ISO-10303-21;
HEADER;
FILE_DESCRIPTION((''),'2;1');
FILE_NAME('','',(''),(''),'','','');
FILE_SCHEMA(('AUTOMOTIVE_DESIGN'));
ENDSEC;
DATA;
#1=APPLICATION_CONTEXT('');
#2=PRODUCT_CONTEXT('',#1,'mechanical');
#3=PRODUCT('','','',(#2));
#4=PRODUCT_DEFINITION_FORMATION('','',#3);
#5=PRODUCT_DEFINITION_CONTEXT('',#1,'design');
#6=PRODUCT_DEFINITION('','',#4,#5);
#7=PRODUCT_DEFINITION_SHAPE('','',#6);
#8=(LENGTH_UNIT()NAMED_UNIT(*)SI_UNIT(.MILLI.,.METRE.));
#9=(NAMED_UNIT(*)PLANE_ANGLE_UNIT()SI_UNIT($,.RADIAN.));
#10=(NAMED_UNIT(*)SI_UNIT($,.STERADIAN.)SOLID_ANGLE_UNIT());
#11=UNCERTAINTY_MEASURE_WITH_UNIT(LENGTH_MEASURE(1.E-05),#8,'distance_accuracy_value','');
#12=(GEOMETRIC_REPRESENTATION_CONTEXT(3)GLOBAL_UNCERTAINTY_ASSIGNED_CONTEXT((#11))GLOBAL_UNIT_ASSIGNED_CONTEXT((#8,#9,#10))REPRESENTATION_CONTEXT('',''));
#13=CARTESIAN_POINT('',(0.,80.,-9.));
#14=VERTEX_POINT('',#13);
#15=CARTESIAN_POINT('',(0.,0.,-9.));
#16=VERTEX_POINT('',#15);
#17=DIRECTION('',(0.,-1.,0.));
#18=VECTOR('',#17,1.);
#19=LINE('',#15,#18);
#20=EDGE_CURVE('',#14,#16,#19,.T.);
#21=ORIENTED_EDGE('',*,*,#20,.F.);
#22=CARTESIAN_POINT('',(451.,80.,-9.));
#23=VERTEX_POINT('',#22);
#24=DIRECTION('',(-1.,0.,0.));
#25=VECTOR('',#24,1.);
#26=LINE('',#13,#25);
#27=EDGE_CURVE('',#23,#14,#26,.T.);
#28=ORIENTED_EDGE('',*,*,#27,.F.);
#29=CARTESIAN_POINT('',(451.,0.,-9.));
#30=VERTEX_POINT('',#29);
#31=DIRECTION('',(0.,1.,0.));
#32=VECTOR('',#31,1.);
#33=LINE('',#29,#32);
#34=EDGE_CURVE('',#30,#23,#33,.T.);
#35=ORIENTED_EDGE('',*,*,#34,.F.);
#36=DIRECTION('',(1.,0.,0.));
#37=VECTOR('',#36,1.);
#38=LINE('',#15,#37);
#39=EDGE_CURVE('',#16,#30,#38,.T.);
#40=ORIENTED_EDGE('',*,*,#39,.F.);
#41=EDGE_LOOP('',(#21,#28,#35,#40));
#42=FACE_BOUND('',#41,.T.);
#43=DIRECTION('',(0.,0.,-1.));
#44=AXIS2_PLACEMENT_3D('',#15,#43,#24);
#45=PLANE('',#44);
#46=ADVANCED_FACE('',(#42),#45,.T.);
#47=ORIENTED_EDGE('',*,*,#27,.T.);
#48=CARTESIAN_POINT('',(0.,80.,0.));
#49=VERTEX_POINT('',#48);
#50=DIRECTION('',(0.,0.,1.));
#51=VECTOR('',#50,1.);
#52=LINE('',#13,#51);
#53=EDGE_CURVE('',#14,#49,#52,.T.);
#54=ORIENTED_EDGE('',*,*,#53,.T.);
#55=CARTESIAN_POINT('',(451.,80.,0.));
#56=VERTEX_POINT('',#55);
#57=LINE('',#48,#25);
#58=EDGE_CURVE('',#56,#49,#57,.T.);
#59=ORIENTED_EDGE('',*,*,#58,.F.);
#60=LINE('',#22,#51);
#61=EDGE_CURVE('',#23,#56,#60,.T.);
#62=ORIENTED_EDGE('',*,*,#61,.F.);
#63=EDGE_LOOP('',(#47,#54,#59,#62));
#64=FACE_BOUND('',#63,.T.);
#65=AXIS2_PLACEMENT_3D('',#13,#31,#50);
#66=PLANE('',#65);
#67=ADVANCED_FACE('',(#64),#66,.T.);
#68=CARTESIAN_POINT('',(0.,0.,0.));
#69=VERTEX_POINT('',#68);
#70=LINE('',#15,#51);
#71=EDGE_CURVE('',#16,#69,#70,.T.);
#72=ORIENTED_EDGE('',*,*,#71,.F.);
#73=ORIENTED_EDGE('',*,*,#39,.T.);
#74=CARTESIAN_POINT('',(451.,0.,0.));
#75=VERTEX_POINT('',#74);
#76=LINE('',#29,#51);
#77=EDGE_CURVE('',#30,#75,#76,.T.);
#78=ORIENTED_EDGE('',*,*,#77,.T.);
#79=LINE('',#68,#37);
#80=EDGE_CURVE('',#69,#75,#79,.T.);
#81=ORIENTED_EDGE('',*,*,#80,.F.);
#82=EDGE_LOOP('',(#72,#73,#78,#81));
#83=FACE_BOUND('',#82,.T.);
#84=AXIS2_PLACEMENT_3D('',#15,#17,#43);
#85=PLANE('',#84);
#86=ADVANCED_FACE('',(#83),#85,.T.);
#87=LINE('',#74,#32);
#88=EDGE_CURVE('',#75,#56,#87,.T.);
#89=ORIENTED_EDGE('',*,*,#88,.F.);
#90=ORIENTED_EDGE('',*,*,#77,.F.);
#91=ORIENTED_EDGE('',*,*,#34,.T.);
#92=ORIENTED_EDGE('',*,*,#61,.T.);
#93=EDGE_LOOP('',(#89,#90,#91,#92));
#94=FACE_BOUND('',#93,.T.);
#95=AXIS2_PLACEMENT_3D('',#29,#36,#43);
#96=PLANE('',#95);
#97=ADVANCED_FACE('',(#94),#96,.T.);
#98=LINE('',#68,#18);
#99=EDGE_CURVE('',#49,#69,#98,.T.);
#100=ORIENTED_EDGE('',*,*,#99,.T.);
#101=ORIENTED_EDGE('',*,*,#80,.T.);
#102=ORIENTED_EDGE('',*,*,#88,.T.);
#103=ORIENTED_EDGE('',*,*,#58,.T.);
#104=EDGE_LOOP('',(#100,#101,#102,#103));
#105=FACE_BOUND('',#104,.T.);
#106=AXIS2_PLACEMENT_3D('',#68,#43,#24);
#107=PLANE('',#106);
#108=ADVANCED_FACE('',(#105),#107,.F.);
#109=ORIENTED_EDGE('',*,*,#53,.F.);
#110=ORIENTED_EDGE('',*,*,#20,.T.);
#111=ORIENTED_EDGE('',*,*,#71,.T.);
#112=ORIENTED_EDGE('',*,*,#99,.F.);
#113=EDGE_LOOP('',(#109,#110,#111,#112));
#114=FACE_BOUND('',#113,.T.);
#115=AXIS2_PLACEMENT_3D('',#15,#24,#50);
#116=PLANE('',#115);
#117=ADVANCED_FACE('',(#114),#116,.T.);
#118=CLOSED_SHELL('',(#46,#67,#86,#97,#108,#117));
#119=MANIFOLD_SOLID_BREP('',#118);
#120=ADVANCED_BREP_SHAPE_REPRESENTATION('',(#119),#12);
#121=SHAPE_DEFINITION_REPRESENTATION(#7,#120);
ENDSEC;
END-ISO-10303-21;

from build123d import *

# Parameters (mm, degrees)
SZKIC1_W                    = 451
SZKIC1_H                    = 80
DODANIE_WYCI_GNI_CIE1_DEPTH = 9


with BuildPart() as part:
    # Szkic1 → Dodanie-wyciągnięcie1 (new body)
    with BuildSketch(Plane.XY):
        with Locations((225.5, 40)):
            Rectangle(SZKIC1_W, SZKIC1_H)
    extrude(amount=-DODANIE_WYCI_GNI_CIE1_DEPTH)


solid = part.part
